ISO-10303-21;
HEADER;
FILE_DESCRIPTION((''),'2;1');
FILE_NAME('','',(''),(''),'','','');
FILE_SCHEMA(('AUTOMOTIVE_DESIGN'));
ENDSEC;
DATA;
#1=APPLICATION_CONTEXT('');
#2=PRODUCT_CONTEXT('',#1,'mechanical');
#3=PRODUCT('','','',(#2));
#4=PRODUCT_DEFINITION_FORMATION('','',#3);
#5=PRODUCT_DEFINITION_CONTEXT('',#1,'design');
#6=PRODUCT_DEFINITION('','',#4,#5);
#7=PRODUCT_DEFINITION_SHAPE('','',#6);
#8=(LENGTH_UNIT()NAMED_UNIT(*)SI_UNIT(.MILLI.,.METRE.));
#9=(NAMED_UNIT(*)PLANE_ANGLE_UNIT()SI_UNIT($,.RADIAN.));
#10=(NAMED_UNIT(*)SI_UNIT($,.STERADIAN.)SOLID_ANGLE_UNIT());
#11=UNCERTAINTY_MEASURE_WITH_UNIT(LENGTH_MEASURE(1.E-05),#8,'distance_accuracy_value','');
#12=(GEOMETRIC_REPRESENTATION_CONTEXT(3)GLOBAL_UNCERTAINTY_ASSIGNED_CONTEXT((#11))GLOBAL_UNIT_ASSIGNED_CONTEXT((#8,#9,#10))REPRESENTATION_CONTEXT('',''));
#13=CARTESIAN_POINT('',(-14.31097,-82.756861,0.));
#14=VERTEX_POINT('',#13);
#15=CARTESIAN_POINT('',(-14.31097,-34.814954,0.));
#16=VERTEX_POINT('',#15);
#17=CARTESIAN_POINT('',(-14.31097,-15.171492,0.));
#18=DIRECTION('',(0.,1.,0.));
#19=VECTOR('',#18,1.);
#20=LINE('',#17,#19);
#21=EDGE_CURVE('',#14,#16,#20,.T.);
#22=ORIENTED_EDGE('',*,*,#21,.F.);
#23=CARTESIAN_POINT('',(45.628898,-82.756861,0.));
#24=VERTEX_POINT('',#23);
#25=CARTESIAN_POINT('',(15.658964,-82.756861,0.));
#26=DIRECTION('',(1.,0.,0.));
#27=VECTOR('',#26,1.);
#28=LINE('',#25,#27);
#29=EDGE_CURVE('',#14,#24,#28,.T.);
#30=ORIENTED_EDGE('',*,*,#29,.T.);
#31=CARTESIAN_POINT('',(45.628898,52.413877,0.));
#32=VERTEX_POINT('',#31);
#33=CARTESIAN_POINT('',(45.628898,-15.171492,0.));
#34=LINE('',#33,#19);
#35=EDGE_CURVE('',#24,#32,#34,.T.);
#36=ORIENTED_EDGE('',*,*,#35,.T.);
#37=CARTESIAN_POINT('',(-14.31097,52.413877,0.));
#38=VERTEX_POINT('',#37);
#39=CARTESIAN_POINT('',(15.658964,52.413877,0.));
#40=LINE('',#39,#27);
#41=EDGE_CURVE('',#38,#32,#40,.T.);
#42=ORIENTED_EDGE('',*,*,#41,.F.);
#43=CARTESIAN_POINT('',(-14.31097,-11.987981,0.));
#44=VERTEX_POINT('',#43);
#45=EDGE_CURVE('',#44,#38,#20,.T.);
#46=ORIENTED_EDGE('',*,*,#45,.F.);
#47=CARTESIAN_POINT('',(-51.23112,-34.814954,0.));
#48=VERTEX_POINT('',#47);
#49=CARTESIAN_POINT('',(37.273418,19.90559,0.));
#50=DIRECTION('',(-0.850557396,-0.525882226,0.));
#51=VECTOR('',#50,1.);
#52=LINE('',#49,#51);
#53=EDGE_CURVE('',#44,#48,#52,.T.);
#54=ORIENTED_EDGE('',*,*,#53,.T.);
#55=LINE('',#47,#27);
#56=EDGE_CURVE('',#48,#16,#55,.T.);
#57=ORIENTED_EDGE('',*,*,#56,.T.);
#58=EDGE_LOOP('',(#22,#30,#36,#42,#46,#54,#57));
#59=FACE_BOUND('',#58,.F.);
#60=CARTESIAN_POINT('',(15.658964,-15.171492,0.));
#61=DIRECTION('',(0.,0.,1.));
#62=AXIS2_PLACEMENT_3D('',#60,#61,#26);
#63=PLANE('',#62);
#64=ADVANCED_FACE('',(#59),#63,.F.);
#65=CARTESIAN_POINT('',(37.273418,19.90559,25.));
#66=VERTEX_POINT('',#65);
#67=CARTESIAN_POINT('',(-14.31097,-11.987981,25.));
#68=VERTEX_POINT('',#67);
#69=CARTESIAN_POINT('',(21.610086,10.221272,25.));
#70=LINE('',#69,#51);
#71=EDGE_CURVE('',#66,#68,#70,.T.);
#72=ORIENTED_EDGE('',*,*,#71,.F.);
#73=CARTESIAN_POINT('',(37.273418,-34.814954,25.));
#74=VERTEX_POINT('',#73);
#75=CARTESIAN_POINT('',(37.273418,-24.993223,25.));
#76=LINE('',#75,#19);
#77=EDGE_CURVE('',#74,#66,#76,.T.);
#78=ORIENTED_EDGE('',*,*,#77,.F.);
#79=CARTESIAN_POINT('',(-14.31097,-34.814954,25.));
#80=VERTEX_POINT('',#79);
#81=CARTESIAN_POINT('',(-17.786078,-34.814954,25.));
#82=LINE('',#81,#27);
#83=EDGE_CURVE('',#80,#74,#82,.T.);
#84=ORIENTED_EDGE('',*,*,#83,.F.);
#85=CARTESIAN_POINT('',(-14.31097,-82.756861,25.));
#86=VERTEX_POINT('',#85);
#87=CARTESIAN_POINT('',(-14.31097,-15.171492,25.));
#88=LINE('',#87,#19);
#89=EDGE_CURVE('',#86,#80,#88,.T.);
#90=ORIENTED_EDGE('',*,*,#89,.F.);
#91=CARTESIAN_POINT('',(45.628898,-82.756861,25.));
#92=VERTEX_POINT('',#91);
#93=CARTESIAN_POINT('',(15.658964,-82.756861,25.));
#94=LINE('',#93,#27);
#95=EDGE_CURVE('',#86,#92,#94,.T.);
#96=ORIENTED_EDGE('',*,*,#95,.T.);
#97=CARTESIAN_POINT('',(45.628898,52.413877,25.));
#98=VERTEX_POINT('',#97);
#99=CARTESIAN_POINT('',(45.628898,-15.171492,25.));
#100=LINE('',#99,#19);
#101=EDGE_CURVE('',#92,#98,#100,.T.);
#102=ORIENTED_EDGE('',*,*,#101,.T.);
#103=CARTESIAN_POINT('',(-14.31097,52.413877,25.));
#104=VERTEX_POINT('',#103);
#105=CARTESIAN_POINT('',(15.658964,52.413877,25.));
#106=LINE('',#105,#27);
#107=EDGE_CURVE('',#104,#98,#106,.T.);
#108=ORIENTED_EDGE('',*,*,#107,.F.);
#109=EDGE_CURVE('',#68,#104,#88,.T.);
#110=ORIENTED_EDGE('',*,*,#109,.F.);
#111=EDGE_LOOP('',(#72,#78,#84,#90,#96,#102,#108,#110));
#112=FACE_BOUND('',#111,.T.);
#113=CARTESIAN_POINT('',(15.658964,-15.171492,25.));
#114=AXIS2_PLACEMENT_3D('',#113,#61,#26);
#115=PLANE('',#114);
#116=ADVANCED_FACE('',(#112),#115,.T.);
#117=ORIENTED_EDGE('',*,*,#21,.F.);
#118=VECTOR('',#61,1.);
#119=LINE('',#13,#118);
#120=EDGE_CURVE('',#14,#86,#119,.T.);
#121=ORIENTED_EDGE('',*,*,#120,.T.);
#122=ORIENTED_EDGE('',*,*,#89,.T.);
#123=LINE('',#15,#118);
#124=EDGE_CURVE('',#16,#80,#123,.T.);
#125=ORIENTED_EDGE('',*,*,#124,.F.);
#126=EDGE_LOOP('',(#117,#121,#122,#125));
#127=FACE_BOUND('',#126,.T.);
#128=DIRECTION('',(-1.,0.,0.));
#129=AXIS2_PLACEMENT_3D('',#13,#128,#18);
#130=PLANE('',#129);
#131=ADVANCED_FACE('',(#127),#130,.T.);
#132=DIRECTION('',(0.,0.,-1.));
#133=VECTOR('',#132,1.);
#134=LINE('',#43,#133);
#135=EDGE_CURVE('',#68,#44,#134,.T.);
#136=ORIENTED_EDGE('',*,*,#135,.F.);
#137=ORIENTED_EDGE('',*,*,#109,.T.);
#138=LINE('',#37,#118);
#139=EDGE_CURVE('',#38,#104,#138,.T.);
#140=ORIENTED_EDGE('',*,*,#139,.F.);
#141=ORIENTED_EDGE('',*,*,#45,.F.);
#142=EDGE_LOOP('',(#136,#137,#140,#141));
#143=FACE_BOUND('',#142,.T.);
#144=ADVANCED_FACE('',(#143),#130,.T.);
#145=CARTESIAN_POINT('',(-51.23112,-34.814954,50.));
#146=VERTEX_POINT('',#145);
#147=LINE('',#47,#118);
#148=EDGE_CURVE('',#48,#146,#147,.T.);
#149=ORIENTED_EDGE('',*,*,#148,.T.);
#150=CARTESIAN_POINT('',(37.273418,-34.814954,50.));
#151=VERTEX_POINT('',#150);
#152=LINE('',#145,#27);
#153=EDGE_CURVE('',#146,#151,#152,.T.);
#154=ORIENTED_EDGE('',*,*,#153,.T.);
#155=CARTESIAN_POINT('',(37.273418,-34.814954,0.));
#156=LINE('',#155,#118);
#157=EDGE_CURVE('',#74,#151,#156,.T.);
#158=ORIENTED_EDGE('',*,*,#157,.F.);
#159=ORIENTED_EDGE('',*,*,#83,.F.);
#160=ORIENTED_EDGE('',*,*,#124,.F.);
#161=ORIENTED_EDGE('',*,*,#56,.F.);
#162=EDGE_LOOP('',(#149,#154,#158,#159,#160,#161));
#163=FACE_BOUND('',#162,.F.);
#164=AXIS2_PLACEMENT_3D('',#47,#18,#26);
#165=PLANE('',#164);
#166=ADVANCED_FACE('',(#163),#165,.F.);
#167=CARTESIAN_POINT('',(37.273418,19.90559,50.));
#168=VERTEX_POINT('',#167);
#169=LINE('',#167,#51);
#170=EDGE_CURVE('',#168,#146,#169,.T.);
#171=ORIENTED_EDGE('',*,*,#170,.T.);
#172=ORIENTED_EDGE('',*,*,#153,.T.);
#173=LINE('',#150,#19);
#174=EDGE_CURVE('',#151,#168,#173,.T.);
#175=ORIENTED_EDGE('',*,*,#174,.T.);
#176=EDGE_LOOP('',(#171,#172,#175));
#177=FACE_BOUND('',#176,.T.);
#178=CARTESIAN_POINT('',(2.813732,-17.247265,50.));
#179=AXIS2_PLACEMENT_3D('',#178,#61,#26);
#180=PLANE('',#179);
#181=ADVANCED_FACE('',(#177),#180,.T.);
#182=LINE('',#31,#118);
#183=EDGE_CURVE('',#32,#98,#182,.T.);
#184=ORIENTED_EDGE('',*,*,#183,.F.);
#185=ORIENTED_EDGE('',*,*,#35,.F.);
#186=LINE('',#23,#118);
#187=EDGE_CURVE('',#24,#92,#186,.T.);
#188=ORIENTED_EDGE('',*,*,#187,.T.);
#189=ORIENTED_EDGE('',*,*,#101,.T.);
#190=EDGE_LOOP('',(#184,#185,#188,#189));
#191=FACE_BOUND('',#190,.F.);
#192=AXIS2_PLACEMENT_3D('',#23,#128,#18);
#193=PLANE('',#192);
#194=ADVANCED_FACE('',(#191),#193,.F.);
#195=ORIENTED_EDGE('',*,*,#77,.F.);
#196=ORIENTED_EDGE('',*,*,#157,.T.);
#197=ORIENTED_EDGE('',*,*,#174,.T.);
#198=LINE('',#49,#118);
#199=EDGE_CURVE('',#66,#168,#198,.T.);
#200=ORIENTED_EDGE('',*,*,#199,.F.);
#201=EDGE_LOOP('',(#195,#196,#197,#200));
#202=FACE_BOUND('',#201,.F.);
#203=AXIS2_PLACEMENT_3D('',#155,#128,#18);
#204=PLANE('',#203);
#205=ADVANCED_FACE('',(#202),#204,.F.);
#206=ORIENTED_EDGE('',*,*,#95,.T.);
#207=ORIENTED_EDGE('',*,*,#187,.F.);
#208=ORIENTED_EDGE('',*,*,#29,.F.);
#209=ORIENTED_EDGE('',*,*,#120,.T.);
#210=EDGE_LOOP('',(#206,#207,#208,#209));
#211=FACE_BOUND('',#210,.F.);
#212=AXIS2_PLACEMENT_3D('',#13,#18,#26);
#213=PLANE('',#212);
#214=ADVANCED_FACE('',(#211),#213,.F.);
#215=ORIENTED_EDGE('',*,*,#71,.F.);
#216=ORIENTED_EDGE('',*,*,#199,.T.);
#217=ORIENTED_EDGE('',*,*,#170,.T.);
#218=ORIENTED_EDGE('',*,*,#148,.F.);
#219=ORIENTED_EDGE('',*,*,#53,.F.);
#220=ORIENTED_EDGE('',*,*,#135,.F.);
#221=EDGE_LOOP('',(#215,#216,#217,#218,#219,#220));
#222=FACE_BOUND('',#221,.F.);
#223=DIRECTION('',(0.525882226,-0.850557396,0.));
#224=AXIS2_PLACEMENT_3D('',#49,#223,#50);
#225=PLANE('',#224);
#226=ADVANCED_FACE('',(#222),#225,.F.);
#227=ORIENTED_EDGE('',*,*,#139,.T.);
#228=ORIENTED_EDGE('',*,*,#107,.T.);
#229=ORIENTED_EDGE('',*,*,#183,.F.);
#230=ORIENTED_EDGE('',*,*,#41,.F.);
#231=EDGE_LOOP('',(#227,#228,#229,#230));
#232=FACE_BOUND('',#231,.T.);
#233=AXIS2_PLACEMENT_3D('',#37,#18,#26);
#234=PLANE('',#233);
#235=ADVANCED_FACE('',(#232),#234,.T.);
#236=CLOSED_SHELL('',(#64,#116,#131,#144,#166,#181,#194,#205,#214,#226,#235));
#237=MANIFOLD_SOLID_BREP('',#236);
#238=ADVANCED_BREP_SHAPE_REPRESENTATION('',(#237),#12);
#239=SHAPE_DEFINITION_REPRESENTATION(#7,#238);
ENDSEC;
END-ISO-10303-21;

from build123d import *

# Parameters (mm, degrees)
F1_DEPTH = 50
F2_W     = 59.939869
F2_H     = 135.170739
F3_DEPTH = 25


with BuildPart() as f1:
    # F0 (on Top) → F1 (new body)
    with BuildSketch(Plane.XY):
        Polygon((37.273418, 19.90559), (-51.23112, -34.814954), (37.273418, -34.814954), align=None)
    extrude(amount=F1_DEPTH)

    # F2 (on Top) → F3 (join)
    with BuildSketch(Plane.XY):
        with Locations((15.658964, -15.171492)):
            Rectangle(F2_W, F2_H)
    extrude(amount=F3_DEPTH)


solid = f1.part
